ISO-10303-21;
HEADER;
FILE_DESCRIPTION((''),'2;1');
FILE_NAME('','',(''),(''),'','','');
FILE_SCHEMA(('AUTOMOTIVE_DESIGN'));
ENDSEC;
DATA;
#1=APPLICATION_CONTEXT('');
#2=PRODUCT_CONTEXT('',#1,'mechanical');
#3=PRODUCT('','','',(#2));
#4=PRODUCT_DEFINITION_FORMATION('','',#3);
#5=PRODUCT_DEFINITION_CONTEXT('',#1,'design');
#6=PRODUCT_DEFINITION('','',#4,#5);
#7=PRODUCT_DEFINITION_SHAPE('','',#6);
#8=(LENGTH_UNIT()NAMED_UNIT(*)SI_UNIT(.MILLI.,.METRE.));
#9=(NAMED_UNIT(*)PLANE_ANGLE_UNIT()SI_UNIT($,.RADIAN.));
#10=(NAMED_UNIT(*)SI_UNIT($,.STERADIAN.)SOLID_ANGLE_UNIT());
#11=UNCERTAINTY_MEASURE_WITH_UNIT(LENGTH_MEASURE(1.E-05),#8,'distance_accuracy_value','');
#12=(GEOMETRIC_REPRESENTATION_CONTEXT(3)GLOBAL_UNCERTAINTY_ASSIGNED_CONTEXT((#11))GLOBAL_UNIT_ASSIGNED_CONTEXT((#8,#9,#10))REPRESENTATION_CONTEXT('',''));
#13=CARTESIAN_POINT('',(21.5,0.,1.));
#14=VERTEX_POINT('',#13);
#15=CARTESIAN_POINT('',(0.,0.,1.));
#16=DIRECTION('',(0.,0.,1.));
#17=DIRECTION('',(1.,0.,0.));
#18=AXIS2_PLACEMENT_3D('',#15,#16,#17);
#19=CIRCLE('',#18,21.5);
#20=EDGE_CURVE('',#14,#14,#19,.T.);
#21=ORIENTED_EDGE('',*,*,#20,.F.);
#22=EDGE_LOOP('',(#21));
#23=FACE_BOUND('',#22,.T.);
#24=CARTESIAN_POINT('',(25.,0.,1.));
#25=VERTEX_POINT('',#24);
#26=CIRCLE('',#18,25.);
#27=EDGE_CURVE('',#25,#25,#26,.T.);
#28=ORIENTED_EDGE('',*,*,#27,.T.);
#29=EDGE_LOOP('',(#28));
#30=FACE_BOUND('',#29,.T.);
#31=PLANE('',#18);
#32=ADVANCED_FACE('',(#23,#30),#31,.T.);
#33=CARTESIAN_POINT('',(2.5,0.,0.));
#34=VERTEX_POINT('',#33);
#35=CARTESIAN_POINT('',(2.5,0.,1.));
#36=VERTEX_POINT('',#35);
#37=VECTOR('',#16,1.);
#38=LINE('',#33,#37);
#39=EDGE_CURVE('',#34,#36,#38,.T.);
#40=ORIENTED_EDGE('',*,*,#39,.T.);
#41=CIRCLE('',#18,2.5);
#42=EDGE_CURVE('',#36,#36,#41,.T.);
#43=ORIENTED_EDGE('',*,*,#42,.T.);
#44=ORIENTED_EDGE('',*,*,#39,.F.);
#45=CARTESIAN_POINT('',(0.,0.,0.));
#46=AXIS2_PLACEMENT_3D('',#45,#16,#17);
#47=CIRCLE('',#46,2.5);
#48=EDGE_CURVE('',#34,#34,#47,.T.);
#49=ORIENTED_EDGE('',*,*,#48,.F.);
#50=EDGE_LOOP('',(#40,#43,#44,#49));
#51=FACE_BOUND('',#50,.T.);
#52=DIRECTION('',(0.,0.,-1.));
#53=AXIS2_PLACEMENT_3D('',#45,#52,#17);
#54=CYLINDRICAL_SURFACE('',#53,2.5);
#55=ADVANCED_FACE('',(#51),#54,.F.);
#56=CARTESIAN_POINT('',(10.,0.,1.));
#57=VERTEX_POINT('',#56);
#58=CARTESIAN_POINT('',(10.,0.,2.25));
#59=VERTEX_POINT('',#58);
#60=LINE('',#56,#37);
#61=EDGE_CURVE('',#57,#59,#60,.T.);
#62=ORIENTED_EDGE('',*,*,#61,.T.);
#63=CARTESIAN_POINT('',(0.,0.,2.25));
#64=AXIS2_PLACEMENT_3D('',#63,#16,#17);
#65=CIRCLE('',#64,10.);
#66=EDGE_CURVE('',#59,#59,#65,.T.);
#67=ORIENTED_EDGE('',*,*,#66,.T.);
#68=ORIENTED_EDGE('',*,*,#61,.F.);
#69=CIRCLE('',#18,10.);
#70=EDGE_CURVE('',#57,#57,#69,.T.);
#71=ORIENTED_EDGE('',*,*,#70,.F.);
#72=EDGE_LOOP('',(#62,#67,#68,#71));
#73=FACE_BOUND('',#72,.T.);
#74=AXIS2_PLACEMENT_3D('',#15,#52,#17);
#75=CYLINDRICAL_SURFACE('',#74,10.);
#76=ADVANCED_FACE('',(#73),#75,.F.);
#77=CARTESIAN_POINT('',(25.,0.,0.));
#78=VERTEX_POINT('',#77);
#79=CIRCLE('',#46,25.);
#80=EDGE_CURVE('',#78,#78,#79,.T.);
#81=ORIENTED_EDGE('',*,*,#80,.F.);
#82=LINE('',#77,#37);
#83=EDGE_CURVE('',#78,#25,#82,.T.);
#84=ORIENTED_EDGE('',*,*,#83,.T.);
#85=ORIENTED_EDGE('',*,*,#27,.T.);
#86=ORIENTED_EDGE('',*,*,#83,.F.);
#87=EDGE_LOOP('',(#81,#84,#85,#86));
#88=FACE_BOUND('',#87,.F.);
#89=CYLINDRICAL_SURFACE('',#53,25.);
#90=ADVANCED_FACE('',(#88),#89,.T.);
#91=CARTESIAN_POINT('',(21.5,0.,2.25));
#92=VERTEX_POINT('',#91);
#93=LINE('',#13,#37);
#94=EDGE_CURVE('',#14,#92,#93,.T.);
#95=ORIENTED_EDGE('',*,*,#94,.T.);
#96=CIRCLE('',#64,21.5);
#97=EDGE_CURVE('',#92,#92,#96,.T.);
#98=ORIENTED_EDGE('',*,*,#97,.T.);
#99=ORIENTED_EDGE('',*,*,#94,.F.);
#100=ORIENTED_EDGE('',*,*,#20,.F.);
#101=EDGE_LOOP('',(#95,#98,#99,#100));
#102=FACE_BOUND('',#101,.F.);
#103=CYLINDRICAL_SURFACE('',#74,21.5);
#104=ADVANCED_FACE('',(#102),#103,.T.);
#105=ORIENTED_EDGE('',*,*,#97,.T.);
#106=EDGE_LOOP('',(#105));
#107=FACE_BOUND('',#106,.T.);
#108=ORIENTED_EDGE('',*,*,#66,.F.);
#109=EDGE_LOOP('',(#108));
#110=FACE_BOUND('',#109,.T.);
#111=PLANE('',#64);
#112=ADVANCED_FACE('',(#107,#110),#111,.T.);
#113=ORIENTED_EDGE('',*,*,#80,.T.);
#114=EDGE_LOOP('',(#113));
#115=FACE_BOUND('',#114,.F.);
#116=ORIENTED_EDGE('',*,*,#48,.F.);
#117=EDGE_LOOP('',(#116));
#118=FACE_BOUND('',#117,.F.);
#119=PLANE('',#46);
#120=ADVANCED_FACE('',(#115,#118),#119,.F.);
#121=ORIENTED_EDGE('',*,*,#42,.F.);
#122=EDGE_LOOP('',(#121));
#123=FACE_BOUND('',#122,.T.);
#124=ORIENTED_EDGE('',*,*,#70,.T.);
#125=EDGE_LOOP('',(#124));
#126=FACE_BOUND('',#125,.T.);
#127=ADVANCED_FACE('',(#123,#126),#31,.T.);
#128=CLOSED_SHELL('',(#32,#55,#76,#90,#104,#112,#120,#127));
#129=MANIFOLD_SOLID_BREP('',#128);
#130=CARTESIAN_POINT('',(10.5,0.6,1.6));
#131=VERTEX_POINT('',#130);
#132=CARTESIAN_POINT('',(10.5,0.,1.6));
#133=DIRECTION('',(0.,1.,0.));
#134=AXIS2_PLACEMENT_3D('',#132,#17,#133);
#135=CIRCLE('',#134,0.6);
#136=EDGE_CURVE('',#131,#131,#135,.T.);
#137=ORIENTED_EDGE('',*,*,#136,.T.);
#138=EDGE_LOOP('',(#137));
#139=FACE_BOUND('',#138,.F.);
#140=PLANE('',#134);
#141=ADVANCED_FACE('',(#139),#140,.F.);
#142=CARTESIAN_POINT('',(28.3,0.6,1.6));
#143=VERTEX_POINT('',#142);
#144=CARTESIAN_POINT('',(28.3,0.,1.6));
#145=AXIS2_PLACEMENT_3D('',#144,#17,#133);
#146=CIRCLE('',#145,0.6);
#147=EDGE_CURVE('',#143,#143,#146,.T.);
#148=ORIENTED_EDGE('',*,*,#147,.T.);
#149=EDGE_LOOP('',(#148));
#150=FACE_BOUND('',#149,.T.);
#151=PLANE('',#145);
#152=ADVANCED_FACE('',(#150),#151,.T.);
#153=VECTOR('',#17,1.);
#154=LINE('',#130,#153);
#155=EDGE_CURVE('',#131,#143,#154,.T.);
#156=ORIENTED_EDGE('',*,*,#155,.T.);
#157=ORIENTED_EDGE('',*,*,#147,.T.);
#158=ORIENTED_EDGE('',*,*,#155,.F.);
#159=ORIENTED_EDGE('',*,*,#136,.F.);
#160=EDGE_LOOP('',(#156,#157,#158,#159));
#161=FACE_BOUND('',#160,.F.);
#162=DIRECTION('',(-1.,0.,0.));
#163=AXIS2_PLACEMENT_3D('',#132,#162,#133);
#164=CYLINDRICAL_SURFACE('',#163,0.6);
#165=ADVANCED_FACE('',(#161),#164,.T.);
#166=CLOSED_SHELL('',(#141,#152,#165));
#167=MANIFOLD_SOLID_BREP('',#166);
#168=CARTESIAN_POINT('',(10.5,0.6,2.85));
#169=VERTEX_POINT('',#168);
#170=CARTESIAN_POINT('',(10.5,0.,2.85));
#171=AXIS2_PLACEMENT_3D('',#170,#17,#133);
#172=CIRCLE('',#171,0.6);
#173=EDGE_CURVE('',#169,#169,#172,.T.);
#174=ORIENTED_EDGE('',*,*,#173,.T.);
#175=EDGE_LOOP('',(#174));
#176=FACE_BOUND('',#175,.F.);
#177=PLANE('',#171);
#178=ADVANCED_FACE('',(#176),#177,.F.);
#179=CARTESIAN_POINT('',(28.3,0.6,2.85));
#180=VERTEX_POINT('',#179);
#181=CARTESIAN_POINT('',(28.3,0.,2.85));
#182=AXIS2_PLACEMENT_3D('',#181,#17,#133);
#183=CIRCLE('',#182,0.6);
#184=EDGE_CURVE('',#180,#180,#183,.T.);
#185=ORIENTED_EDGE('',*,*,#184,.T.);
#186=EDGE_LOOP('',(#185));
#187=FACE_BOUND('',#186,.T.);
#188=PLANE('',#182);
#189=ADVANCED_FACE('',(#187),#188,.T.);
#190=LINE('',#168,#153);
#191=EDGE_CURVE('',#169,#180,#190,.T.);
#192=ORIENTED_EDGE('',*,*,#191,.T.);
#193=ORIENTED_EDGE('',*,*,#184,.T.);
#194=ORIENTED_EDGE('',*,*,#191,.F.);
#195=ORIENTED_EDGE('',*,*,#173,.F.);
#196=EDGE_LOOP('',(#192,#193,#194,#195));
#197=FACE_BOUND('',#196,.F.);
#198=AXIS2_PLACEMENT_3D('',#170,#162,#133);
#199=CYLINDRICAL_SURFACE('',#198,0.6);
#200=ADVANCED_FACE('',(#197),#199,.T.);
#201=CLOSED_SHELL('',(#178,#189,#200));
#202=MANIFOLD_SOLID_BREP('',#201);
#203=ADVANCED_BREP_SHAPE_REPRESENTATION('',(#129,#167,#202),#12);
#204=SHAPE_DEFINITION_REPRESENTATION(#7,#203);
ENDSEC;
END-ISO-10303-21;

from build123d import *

# Parameters (mm, degrees)
F0_R     = 25
F0_R_2   = 2.5
F1_DEPTH = 1
F2_R     = 21.5
F2_R_2   = 10
F3_DEPTH = 1.25
F5_START = 10.5
F4_R     = 0.6
F5_DEPTH = 17.8


with BuildPart() as f1:
    # F0 (on Top) → F1 (new body)
    with BuildSketch(Plane.XY):
        Circle(F0_R)
        Circle(F0_R_2, mode=Mode.SUBTRACT)
    extrude(amount=F1_DEPTH)

    # F2 (on face) → F3 (join)
    with BuildSketch(Plane.XY.offset(1)):
        Circle(F2_R)
        Circle(F2_R_2, mode=Mode.SUBTRACT)
    extrude(amount=F3_DEPTH)


with BuildPart() as f5:
    # F4 (on Right) → F5 (new body)
    with BuildSketch(Plane.YZ.offset(F5_START)):
        with Locations((0, 1.6)):
            Circle(F4_R)
    extrude(amount=F5_DEPTH)


with BuildPart() as f5b:
    # F4 (on Right) → F5, piece 2 (new body)
    with BuildSketch(Plane.YZ.offset(F5_START)):
        with Locations((0, 2.85)):
            Circle(F4_R)
    extrude(amount=F5_DEPTH)


solid = Compound([f1.part, f5.part, f5b.part])
